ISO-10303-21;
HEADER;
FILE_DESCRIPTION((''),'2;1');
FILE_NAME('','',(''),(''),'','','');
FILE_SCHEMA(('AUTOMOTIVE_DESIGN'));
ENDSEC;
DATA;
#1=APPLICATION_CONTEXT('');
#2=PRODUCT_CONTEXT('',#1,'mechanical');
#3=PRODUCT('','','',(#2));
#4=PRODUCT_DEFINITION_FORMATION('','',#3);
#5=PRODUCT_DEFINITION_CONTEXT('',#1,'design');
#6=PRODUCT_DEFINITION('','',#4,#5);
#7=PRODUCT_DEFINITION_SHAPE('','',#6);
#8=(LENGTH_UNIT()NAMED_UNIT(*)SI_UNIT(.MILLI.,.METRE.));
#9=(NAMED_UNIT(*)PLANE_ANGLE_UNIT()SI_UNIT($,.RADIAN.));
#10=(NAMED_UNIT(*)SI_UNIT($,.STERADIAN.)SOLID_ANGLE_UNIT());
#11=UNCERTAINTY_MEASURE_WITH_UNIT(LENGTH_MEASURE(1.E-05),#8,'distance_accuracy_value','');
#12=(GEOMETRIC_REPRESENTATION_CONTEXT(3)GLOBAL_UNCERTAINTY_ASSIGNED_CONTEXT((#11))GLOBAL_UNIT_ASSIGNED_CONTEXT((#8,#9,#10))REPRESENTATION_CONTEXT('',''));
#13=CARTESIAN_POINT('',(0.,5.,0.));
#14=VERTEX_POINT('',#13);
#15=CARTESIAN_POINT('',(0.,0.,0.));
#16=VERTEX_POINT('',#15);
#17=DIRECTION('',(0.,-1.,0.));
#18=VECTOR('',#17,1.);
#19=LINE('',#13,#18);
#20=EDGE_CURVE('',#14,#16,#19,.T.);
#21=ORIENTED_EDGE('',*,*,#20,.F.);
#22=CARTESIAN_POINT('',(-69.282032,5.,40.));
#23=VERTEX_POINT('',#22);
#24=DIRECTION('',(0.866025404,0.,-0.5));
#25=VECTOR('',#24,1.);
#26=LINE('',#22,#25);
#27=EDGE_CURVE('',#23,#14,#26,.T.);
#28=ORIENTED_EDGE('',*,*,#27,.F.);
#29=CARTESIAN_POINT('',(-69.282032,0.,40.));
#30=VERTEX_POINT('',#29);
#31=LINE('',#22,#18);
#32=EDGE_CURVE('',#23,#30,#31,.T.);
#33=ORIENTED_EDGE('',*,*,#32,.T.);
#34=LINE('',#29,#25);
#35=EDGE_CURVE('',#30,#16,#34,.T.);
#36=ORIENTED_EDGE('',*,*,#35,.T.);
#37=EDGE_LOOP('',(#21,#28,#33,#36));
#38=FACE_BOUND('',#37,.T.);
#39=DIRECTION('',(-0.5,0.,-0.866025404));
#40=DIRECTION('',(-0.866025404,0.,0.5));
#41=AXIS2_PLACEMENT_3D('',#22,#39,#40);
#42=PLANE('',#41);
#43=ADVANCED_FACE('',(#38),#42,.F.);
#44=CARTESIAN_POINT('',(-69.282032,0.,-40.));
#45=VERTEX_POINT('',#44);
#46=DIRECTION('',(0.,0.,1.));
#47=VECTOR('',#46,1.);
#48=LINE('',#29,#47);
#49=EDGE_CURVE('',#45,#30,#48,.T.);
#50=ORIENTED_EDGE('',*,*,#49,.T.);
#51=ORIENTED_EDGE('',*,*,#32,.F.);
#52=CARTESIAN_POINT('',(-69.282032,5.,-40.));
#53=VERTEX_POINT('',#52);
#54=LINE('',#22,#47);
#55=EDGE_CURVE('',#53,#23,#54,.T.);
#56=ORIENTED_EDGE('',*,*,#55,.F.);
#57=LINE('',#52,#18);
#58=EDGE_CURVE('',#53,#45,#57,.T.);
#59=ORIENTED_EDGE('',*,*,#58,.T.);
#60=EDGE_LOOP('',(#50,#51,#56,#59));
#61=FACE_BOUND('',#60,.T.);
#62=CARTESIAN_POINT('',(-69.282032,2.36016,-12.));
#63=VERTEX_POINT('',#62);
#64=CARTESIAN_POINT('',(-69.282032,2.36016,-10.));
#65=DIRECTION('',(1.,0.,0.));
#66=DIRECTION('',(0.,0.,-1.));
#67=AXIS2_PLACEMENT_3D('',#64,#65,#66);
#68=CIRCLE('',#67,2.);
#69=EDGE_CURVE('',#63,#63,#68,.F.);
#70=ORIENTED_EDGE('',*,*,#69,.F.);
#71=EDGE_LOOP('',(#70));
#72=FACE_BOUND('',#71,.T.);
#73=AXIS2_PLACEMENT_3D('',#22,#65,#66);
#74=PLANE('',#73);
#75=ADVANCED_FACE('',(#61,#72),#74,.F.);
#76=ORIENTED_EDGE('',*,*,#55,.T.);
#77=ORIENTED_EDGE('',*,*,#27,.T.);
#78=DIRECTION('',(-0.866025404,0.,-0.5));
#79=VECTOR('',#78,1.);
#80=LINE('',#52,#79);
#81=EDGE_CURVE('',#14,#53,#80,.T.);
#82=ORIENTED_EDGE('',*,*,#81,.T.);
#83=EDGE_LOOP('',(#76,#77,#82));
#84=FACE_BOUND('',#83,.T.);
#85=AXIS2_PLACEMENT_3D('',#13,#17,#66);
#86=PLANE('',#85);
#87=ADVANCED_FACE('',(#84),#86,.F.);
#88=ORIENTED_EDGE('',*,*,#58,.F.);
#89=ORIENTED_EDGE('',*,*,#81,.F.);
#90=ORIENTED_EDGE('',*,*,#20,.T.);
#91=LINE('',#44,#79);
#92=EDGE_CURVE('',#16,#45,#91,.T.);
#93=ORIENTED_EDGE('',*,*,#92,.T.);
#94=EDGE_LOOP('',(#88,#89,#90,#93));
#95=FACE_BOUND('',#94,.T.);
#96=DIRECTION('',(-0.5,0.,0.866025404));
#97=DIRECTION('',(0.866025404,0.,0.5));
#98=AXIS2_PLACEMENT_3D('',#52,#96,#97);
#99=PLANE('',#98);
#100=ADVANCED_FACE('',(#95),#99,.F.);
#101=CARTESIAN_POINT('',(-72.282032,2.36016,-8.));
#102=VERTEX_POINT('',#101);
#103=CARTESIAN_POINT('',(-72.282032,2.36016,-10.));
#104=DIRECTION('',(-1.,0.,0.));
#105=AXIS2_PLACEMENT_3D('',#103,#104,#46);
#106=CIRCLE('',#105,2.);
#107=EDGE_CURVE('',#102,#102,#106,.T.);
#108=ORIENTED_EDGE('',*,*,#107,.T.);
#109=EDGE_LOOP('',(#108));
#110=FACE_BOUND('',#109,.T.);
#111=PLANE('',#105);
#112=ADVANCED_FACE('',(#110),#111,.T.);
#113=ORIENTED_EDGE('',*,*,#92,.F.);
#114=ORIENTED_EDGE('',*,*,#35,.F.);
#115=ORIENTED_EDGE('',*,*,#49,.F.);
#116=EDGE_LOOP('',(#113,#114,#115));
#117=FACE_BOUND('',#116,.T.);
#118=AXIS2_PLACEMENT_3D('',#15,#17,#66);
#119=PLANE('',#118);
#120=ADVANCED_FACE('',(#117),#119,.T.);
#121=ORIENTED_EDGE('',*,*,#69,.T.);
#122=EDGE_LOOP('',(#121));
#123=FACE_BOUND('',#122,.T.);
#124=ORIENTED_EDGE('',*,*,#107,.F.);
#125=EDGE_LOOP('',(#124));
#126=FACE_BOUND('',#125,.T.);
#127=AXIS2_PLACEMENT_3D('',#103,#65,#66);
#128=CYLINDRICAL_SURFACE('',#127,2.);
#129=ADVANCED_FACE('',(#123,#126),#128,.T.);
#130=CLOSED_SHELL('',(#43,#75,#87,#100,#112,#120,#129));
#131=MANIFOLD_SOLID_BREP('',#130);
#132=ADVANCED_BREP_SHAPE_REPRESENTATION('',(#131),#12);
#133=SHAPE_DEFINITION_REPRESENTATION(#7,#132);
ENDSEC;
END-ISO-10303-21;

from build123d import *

# Parameters (mm, degrees)
BOSS_EXTRUDE1_DEPTH = 5
SKETCH2_R           = 2
BOSS_EXTRUDE2_DEPTH = 3


with BuildPart() as part:
    # Sketch1 → Boss-Extrude1 (new body)
    with BuildSketch(Plane(origin=(0, 0, 0), x_dir=(1, 0, 0), z_dir=(0, 1, 0))):
        Polygon((-69.282032303, 40), (0, 0), (-69.282032303, -40), align=None)
    extrude(amount=BOSS_EXTRUDE1_DEPTH)

    # Sketch2 → Boss-Extrude2 (add)
    with BuildSketch(Plane.ZY.offset(69.282032303)):
        with Locations((-10, 2.360160214)):
            Circle(SKETCH2_R)
    extrude(amount=BOSS_EXTRUDE2_DEPTH)


solid = part.part
